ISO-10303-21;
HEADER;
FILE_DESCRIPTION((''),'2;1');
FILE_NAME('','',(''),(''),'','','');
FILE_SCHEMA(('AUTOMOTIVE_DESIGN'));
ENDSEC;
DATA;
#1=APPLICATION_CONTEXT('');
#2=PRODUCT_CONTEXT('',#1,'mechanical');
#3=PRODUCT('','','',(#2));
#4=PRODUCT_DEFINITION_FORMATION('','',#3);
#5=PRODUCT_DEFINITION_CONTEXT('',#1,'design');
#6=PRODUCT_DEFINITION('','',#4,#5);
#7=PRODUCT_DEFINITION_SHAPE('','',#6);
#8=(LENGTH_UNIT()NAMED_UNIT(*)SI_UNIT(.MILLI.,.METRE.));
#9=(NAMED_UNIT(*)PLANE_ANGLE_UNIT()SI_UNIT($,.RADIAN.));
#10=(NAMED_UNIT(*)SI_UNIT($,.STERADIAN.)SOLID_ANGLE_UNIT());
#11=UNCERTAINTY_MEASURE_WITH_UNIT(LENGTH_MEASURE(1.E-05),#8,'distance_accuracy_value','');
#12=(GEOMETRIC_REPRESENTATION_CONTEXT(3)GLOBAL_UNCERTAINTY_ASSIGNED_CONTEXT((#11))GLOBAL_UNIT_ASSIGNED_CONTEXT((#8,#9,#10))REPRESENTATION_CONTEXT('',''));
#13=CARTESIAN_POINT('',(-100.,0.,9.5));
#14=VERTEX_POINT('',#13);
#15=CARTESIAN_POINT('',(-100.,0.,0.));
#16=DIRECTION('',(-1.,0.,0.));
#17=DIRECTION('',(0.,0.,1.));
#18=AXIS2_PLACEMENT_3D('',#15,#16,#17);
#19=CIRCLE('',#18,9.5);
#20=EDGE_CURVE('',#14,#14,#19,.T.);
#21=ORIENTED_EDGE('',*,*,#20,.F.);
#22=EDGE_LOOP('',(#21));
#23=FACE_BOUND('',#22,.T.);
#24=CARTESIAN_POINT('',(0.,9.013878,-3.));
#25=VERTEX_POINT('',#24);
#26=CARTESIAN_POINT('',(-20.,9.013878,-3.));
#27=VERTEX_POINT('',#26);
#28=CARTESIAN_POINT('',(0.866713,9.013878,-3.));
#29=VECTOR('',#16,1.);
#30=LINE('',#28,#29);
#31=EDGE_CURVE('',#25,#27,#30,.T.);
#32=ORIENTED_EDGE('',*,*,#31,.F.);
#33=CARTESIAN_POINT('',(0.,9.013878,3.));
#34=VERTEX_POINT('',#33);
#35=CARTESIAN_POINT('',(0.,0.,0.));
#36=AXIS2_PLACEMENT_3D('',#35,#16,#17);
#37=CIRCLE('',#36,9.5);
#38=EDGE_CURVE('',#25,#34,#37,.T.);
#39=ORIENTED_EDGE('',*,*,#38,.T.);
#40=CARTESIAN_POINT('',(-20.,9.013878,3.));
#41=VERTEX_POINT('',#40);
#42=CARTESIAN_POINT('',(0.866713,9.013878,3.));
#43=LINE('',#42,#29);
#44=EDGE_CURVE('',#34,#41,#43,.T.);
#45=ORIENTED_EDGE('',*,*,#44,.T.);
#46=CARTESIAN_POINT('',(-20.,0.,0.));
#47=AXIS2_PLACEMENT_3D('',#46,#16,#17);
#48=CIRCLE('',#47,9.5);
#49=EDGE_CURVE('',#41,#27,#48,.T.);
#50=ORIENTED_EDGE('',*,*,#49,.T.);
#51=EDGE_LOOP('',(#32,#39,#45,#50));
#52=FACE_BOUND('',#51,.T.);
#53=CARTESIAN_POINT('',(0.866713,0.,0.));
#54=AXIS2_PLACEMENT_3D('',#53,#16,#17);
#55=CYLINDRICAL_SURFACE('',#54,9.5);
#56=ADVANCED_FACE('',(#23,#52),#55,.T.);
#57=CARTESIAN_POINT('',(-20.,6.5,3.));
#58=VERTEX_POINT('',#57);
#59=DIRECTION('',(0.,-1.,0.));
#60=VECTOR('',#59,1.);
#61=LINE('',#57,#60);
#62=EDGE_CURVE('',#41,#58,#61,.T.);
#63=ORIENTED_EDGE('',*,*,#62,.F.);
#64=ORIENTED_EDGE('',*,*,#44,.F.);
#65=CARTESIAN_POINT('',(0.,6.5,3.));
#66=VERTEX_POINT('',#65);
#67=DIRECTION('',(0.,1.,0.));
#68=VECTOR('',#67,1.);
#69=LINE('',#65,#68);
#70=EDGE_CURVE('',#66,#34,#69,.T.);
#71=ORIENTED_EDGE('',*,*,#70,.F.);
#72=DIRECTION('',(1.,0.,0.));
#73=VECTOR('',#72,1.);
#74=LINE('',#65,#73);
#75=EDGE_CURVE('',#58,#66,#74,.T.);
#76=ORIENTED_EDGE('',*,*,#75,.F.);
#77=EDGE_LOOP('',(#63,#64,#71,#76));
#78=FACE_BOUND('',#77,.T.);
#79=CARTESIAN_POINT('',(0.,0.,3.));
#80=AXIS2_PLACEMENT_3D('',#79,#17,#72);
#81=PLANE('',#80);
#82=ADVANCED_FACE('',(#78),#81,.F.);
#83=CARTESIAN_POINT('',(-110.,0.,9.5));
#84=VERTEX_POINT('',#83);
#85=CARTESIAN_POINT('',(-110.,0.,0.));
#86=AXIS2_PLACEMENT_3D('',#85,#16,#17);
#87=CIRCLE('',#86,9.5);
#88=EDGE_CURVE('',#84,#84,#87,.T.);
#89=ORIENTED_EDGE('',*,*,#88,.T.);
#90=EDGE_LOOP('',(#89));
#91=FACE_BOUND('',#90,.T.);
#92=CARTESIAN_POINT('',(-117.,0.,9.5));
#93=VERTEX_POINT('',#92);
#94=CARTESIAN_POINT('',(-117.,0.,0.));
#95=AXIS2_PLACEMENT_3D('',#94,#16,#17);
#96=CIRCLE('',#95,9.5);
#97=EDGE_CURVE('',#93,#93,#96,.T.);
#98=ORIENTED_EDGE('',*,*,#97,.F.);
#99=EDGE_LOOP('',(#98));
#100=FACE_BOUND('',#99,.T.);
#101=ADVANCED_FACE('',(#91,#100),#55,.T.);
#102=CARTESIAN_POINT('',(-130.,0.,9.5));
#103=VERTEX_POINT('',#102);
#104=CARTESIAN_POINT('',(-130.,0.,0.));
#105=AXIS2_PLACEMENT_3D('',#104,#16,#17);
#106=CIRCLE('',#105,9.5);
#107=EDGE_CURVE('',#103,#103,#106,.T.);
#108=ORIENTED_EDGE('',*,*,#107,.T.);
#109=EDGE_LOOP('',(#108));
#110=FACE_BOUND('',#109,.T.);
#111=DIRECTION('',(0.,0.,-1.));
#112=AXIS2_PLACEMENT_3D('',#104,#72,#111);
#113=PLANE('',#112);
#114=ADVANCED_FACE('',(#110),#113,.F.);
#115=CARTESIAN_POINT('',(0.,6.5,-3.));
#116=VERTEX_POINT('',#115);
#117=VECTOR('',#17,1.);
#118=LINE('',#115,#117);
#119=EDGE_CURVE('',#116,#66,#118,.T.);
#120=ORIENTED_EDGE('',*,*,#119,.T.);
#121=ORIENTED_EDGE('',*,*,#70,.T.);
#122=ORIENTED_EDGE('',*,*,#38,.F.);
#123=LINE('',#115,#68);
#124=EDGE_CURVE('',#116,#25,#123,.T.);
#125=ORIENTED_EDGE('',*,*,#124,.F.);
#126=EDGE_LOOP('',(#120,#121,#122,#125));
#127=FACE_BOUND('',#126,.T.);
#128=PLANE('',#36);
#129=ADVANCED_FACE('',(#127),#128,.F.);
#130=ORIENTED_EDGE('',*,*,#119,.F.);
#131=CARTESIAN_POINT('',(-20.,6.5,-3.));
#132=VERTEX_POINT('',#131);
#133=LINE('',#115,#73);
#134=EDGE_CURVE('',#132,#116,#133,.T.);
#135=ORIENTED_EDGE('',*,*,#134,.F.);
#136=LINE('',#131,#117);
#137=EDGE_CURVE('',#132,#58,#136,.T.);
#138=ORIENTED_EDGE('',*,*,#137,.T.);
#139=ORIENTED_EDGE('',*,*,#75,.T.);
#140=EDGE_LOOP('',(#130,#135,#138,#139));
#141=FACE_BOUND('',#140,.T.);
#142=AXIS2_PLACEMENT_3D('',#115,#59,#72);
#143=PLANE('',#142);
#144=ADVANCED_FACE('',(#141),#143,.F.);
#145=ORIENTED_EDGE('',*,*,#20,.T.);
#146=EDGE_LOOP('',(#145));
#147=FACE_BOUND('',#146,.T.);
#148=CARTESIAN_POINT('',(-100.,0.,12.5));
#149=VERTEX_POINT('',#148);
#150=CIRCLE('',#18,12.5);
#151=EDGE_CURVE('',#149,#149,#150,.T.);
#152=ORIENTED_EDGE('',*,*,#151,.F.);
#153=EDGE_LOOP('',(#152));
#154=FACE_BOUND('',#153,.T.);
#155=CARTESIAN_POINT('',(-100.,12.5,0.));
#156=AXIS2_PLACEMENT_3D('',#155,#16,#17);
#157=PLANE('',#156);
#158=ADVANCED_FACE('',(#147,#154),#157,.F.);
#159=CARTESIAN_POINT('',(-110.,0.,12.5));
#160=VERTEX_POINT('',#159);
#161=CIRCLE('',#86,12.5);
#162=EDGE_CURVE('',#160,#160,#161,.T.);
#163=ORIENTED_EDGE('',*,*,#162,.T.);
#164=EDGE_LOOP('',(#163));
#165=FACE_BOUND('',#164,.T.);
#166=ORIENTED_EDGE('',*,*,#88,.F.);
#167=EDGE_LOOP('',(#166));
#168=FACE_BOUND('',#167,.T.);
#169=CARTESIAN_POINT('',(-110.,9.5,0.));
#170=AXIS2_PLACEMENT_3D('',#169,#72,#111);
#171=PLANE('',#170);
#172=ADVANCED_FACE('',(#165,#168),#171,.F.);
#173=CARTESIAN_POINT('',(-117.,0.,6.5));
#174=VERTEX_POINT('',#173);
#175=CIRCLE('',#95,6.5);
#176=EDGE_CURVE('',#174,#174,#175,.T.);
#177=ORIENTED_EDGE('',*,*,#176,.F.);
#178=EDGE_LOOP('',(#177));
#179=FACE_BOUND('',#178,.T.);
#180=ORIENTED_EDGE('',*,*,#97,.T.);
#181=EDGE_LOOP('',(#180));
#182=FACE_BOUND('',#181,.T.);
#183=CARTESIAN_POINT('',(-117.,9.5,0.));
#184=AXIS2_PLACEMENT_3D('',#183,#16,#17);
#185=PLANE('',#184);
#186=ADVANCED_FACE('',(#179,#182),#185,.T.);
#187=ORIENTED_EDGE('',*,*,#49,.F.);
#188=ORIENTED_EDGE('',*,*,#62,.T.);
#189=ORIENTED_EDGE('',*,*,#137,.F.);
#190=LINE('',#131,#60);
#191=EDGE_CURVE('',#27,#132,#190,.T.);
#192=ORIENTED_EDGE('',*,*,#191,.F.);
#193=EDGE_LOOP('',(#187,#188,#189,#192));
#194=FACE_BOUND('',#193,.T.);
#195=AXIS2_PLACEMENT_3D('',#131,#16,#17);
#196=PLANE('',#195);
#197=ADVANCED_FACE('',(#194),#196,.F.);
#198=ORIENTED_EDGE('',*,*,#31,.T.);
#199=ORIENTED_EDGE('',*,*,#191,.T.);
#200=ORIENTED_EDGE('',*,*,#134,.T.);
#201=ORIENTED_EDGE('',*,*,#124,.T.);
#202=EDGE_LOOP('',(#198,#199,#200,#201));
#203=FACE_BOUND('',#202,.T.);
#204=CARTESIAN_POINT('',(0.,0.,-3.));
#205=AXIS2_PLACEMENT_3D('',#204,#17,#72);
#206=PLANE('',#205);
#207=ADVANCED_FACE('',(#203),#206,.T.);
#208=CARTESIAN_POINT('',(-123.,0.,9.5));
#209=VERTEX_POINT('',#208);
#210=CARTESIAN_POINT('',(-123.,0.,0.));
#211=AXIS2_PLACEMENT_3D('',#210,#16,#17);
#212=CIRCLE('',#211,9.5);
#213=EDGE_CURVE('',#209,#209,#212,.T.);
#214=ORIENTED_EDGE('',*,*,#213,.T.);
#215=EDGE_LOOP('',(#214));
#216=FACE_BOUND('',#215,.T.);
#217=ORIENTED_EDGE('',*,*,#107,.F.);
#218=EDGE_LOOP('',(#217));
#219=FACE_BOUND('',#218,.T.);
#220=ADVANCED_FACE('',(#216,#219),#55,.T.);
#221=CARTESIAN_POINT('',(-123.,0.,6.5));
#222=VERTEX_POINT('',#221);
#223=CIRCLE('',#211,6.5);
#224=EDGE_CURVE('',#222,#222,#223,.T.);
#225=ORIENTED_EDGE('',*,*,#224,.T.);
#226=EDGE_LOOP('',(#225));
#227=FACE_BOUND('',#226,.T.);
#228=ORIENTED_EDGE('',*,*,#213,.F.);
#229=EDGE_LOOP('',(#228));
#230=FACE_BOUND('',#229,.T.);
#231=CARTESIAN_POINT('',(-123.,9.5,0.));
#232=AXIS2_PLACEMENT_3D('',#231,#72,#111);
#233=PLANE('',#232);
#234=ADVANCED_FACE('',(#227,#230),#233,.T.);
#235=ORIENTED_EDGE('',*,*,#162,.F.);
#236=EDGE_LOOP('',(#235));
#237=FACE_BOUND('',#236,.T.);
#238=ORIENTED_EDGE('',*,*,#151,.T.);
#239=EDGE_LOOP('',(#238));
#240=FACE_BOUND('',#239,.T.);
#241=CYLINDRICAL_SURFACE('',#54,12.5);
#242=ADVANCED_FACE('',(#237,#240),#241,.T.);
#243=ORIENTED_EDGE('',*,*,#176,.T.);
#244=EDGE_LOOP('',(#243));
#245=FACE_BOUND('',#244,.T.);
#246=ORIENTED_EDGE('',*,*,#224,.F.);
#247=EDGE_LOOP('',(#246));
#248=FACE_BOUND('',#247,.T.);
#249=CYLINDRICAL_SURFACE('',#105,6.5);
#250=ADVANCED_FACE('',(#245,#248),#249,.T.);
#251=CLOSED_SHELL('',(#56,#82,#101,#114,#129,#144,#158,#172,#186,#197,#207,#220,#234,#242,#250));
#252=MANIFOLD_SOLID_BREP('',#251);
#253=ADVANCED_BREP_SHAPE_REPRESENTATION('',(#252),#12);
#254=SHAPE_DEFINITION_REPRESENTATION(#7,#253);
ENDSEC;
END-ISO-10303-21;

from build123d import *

# Parameters (mm, degrees)
SKETCH2_W          = 6
SKETCH2_H          = 3
SKETCH3_W          = 20
SKETCH3_H          = 3
CUT_EXTRUDE1_DEPTH = 3


with BuildPart() as part:
    # Sketch1 → Revolve1 (revolve)
    with BuildSketch(Plane.XY, mode=Mode.PRIVATE) as revolve1_sk:
        Polygon((-110, 9.5), (-110, 12.5), (-100, 12.5), (-100, 9.5), (0, 9.5), (0, 0), (-130, 0), (-130, 9.5), align=None)
    revolve(revolve1_sk.sketch.rotate(Axis((0.866713413, 0, 0), (1, 0, 0)), 90), axis=Axis((0.866713413, 0, 0), (1, 0, 0)))

    # Sketch2 → Cut-Revolve1 (revolve, cut)
    with BuildSketch(Plane.XY, mode=Mode.PRIVATE) as cut_revolve1_sk:
        with Locations((-120, 8)):
            Rectangle(SKETCH2_W, SKETCH2_H)
    revolve(cut_revolve1_sk.sketch.rotate(Axis((-130, 0, 0), (1, 0, 0)), 90), axis=Axis((-130, 0, 0), (1, 0, 0)), mode=Mode.SUBTRACT)

    # Sketch3 → Cut-Extrude1 (cut, symmetric)
    with BuildSketch(Plane.XY):
        with Locations((-10, 8)):
            Rectangle(SKETCH3_W, SKETCH3_H)
    extrude(amount=CUT_EXTRUDE1_DEPTH, both=True, mode=Mode.SUBTRACT)


solid = part.part
